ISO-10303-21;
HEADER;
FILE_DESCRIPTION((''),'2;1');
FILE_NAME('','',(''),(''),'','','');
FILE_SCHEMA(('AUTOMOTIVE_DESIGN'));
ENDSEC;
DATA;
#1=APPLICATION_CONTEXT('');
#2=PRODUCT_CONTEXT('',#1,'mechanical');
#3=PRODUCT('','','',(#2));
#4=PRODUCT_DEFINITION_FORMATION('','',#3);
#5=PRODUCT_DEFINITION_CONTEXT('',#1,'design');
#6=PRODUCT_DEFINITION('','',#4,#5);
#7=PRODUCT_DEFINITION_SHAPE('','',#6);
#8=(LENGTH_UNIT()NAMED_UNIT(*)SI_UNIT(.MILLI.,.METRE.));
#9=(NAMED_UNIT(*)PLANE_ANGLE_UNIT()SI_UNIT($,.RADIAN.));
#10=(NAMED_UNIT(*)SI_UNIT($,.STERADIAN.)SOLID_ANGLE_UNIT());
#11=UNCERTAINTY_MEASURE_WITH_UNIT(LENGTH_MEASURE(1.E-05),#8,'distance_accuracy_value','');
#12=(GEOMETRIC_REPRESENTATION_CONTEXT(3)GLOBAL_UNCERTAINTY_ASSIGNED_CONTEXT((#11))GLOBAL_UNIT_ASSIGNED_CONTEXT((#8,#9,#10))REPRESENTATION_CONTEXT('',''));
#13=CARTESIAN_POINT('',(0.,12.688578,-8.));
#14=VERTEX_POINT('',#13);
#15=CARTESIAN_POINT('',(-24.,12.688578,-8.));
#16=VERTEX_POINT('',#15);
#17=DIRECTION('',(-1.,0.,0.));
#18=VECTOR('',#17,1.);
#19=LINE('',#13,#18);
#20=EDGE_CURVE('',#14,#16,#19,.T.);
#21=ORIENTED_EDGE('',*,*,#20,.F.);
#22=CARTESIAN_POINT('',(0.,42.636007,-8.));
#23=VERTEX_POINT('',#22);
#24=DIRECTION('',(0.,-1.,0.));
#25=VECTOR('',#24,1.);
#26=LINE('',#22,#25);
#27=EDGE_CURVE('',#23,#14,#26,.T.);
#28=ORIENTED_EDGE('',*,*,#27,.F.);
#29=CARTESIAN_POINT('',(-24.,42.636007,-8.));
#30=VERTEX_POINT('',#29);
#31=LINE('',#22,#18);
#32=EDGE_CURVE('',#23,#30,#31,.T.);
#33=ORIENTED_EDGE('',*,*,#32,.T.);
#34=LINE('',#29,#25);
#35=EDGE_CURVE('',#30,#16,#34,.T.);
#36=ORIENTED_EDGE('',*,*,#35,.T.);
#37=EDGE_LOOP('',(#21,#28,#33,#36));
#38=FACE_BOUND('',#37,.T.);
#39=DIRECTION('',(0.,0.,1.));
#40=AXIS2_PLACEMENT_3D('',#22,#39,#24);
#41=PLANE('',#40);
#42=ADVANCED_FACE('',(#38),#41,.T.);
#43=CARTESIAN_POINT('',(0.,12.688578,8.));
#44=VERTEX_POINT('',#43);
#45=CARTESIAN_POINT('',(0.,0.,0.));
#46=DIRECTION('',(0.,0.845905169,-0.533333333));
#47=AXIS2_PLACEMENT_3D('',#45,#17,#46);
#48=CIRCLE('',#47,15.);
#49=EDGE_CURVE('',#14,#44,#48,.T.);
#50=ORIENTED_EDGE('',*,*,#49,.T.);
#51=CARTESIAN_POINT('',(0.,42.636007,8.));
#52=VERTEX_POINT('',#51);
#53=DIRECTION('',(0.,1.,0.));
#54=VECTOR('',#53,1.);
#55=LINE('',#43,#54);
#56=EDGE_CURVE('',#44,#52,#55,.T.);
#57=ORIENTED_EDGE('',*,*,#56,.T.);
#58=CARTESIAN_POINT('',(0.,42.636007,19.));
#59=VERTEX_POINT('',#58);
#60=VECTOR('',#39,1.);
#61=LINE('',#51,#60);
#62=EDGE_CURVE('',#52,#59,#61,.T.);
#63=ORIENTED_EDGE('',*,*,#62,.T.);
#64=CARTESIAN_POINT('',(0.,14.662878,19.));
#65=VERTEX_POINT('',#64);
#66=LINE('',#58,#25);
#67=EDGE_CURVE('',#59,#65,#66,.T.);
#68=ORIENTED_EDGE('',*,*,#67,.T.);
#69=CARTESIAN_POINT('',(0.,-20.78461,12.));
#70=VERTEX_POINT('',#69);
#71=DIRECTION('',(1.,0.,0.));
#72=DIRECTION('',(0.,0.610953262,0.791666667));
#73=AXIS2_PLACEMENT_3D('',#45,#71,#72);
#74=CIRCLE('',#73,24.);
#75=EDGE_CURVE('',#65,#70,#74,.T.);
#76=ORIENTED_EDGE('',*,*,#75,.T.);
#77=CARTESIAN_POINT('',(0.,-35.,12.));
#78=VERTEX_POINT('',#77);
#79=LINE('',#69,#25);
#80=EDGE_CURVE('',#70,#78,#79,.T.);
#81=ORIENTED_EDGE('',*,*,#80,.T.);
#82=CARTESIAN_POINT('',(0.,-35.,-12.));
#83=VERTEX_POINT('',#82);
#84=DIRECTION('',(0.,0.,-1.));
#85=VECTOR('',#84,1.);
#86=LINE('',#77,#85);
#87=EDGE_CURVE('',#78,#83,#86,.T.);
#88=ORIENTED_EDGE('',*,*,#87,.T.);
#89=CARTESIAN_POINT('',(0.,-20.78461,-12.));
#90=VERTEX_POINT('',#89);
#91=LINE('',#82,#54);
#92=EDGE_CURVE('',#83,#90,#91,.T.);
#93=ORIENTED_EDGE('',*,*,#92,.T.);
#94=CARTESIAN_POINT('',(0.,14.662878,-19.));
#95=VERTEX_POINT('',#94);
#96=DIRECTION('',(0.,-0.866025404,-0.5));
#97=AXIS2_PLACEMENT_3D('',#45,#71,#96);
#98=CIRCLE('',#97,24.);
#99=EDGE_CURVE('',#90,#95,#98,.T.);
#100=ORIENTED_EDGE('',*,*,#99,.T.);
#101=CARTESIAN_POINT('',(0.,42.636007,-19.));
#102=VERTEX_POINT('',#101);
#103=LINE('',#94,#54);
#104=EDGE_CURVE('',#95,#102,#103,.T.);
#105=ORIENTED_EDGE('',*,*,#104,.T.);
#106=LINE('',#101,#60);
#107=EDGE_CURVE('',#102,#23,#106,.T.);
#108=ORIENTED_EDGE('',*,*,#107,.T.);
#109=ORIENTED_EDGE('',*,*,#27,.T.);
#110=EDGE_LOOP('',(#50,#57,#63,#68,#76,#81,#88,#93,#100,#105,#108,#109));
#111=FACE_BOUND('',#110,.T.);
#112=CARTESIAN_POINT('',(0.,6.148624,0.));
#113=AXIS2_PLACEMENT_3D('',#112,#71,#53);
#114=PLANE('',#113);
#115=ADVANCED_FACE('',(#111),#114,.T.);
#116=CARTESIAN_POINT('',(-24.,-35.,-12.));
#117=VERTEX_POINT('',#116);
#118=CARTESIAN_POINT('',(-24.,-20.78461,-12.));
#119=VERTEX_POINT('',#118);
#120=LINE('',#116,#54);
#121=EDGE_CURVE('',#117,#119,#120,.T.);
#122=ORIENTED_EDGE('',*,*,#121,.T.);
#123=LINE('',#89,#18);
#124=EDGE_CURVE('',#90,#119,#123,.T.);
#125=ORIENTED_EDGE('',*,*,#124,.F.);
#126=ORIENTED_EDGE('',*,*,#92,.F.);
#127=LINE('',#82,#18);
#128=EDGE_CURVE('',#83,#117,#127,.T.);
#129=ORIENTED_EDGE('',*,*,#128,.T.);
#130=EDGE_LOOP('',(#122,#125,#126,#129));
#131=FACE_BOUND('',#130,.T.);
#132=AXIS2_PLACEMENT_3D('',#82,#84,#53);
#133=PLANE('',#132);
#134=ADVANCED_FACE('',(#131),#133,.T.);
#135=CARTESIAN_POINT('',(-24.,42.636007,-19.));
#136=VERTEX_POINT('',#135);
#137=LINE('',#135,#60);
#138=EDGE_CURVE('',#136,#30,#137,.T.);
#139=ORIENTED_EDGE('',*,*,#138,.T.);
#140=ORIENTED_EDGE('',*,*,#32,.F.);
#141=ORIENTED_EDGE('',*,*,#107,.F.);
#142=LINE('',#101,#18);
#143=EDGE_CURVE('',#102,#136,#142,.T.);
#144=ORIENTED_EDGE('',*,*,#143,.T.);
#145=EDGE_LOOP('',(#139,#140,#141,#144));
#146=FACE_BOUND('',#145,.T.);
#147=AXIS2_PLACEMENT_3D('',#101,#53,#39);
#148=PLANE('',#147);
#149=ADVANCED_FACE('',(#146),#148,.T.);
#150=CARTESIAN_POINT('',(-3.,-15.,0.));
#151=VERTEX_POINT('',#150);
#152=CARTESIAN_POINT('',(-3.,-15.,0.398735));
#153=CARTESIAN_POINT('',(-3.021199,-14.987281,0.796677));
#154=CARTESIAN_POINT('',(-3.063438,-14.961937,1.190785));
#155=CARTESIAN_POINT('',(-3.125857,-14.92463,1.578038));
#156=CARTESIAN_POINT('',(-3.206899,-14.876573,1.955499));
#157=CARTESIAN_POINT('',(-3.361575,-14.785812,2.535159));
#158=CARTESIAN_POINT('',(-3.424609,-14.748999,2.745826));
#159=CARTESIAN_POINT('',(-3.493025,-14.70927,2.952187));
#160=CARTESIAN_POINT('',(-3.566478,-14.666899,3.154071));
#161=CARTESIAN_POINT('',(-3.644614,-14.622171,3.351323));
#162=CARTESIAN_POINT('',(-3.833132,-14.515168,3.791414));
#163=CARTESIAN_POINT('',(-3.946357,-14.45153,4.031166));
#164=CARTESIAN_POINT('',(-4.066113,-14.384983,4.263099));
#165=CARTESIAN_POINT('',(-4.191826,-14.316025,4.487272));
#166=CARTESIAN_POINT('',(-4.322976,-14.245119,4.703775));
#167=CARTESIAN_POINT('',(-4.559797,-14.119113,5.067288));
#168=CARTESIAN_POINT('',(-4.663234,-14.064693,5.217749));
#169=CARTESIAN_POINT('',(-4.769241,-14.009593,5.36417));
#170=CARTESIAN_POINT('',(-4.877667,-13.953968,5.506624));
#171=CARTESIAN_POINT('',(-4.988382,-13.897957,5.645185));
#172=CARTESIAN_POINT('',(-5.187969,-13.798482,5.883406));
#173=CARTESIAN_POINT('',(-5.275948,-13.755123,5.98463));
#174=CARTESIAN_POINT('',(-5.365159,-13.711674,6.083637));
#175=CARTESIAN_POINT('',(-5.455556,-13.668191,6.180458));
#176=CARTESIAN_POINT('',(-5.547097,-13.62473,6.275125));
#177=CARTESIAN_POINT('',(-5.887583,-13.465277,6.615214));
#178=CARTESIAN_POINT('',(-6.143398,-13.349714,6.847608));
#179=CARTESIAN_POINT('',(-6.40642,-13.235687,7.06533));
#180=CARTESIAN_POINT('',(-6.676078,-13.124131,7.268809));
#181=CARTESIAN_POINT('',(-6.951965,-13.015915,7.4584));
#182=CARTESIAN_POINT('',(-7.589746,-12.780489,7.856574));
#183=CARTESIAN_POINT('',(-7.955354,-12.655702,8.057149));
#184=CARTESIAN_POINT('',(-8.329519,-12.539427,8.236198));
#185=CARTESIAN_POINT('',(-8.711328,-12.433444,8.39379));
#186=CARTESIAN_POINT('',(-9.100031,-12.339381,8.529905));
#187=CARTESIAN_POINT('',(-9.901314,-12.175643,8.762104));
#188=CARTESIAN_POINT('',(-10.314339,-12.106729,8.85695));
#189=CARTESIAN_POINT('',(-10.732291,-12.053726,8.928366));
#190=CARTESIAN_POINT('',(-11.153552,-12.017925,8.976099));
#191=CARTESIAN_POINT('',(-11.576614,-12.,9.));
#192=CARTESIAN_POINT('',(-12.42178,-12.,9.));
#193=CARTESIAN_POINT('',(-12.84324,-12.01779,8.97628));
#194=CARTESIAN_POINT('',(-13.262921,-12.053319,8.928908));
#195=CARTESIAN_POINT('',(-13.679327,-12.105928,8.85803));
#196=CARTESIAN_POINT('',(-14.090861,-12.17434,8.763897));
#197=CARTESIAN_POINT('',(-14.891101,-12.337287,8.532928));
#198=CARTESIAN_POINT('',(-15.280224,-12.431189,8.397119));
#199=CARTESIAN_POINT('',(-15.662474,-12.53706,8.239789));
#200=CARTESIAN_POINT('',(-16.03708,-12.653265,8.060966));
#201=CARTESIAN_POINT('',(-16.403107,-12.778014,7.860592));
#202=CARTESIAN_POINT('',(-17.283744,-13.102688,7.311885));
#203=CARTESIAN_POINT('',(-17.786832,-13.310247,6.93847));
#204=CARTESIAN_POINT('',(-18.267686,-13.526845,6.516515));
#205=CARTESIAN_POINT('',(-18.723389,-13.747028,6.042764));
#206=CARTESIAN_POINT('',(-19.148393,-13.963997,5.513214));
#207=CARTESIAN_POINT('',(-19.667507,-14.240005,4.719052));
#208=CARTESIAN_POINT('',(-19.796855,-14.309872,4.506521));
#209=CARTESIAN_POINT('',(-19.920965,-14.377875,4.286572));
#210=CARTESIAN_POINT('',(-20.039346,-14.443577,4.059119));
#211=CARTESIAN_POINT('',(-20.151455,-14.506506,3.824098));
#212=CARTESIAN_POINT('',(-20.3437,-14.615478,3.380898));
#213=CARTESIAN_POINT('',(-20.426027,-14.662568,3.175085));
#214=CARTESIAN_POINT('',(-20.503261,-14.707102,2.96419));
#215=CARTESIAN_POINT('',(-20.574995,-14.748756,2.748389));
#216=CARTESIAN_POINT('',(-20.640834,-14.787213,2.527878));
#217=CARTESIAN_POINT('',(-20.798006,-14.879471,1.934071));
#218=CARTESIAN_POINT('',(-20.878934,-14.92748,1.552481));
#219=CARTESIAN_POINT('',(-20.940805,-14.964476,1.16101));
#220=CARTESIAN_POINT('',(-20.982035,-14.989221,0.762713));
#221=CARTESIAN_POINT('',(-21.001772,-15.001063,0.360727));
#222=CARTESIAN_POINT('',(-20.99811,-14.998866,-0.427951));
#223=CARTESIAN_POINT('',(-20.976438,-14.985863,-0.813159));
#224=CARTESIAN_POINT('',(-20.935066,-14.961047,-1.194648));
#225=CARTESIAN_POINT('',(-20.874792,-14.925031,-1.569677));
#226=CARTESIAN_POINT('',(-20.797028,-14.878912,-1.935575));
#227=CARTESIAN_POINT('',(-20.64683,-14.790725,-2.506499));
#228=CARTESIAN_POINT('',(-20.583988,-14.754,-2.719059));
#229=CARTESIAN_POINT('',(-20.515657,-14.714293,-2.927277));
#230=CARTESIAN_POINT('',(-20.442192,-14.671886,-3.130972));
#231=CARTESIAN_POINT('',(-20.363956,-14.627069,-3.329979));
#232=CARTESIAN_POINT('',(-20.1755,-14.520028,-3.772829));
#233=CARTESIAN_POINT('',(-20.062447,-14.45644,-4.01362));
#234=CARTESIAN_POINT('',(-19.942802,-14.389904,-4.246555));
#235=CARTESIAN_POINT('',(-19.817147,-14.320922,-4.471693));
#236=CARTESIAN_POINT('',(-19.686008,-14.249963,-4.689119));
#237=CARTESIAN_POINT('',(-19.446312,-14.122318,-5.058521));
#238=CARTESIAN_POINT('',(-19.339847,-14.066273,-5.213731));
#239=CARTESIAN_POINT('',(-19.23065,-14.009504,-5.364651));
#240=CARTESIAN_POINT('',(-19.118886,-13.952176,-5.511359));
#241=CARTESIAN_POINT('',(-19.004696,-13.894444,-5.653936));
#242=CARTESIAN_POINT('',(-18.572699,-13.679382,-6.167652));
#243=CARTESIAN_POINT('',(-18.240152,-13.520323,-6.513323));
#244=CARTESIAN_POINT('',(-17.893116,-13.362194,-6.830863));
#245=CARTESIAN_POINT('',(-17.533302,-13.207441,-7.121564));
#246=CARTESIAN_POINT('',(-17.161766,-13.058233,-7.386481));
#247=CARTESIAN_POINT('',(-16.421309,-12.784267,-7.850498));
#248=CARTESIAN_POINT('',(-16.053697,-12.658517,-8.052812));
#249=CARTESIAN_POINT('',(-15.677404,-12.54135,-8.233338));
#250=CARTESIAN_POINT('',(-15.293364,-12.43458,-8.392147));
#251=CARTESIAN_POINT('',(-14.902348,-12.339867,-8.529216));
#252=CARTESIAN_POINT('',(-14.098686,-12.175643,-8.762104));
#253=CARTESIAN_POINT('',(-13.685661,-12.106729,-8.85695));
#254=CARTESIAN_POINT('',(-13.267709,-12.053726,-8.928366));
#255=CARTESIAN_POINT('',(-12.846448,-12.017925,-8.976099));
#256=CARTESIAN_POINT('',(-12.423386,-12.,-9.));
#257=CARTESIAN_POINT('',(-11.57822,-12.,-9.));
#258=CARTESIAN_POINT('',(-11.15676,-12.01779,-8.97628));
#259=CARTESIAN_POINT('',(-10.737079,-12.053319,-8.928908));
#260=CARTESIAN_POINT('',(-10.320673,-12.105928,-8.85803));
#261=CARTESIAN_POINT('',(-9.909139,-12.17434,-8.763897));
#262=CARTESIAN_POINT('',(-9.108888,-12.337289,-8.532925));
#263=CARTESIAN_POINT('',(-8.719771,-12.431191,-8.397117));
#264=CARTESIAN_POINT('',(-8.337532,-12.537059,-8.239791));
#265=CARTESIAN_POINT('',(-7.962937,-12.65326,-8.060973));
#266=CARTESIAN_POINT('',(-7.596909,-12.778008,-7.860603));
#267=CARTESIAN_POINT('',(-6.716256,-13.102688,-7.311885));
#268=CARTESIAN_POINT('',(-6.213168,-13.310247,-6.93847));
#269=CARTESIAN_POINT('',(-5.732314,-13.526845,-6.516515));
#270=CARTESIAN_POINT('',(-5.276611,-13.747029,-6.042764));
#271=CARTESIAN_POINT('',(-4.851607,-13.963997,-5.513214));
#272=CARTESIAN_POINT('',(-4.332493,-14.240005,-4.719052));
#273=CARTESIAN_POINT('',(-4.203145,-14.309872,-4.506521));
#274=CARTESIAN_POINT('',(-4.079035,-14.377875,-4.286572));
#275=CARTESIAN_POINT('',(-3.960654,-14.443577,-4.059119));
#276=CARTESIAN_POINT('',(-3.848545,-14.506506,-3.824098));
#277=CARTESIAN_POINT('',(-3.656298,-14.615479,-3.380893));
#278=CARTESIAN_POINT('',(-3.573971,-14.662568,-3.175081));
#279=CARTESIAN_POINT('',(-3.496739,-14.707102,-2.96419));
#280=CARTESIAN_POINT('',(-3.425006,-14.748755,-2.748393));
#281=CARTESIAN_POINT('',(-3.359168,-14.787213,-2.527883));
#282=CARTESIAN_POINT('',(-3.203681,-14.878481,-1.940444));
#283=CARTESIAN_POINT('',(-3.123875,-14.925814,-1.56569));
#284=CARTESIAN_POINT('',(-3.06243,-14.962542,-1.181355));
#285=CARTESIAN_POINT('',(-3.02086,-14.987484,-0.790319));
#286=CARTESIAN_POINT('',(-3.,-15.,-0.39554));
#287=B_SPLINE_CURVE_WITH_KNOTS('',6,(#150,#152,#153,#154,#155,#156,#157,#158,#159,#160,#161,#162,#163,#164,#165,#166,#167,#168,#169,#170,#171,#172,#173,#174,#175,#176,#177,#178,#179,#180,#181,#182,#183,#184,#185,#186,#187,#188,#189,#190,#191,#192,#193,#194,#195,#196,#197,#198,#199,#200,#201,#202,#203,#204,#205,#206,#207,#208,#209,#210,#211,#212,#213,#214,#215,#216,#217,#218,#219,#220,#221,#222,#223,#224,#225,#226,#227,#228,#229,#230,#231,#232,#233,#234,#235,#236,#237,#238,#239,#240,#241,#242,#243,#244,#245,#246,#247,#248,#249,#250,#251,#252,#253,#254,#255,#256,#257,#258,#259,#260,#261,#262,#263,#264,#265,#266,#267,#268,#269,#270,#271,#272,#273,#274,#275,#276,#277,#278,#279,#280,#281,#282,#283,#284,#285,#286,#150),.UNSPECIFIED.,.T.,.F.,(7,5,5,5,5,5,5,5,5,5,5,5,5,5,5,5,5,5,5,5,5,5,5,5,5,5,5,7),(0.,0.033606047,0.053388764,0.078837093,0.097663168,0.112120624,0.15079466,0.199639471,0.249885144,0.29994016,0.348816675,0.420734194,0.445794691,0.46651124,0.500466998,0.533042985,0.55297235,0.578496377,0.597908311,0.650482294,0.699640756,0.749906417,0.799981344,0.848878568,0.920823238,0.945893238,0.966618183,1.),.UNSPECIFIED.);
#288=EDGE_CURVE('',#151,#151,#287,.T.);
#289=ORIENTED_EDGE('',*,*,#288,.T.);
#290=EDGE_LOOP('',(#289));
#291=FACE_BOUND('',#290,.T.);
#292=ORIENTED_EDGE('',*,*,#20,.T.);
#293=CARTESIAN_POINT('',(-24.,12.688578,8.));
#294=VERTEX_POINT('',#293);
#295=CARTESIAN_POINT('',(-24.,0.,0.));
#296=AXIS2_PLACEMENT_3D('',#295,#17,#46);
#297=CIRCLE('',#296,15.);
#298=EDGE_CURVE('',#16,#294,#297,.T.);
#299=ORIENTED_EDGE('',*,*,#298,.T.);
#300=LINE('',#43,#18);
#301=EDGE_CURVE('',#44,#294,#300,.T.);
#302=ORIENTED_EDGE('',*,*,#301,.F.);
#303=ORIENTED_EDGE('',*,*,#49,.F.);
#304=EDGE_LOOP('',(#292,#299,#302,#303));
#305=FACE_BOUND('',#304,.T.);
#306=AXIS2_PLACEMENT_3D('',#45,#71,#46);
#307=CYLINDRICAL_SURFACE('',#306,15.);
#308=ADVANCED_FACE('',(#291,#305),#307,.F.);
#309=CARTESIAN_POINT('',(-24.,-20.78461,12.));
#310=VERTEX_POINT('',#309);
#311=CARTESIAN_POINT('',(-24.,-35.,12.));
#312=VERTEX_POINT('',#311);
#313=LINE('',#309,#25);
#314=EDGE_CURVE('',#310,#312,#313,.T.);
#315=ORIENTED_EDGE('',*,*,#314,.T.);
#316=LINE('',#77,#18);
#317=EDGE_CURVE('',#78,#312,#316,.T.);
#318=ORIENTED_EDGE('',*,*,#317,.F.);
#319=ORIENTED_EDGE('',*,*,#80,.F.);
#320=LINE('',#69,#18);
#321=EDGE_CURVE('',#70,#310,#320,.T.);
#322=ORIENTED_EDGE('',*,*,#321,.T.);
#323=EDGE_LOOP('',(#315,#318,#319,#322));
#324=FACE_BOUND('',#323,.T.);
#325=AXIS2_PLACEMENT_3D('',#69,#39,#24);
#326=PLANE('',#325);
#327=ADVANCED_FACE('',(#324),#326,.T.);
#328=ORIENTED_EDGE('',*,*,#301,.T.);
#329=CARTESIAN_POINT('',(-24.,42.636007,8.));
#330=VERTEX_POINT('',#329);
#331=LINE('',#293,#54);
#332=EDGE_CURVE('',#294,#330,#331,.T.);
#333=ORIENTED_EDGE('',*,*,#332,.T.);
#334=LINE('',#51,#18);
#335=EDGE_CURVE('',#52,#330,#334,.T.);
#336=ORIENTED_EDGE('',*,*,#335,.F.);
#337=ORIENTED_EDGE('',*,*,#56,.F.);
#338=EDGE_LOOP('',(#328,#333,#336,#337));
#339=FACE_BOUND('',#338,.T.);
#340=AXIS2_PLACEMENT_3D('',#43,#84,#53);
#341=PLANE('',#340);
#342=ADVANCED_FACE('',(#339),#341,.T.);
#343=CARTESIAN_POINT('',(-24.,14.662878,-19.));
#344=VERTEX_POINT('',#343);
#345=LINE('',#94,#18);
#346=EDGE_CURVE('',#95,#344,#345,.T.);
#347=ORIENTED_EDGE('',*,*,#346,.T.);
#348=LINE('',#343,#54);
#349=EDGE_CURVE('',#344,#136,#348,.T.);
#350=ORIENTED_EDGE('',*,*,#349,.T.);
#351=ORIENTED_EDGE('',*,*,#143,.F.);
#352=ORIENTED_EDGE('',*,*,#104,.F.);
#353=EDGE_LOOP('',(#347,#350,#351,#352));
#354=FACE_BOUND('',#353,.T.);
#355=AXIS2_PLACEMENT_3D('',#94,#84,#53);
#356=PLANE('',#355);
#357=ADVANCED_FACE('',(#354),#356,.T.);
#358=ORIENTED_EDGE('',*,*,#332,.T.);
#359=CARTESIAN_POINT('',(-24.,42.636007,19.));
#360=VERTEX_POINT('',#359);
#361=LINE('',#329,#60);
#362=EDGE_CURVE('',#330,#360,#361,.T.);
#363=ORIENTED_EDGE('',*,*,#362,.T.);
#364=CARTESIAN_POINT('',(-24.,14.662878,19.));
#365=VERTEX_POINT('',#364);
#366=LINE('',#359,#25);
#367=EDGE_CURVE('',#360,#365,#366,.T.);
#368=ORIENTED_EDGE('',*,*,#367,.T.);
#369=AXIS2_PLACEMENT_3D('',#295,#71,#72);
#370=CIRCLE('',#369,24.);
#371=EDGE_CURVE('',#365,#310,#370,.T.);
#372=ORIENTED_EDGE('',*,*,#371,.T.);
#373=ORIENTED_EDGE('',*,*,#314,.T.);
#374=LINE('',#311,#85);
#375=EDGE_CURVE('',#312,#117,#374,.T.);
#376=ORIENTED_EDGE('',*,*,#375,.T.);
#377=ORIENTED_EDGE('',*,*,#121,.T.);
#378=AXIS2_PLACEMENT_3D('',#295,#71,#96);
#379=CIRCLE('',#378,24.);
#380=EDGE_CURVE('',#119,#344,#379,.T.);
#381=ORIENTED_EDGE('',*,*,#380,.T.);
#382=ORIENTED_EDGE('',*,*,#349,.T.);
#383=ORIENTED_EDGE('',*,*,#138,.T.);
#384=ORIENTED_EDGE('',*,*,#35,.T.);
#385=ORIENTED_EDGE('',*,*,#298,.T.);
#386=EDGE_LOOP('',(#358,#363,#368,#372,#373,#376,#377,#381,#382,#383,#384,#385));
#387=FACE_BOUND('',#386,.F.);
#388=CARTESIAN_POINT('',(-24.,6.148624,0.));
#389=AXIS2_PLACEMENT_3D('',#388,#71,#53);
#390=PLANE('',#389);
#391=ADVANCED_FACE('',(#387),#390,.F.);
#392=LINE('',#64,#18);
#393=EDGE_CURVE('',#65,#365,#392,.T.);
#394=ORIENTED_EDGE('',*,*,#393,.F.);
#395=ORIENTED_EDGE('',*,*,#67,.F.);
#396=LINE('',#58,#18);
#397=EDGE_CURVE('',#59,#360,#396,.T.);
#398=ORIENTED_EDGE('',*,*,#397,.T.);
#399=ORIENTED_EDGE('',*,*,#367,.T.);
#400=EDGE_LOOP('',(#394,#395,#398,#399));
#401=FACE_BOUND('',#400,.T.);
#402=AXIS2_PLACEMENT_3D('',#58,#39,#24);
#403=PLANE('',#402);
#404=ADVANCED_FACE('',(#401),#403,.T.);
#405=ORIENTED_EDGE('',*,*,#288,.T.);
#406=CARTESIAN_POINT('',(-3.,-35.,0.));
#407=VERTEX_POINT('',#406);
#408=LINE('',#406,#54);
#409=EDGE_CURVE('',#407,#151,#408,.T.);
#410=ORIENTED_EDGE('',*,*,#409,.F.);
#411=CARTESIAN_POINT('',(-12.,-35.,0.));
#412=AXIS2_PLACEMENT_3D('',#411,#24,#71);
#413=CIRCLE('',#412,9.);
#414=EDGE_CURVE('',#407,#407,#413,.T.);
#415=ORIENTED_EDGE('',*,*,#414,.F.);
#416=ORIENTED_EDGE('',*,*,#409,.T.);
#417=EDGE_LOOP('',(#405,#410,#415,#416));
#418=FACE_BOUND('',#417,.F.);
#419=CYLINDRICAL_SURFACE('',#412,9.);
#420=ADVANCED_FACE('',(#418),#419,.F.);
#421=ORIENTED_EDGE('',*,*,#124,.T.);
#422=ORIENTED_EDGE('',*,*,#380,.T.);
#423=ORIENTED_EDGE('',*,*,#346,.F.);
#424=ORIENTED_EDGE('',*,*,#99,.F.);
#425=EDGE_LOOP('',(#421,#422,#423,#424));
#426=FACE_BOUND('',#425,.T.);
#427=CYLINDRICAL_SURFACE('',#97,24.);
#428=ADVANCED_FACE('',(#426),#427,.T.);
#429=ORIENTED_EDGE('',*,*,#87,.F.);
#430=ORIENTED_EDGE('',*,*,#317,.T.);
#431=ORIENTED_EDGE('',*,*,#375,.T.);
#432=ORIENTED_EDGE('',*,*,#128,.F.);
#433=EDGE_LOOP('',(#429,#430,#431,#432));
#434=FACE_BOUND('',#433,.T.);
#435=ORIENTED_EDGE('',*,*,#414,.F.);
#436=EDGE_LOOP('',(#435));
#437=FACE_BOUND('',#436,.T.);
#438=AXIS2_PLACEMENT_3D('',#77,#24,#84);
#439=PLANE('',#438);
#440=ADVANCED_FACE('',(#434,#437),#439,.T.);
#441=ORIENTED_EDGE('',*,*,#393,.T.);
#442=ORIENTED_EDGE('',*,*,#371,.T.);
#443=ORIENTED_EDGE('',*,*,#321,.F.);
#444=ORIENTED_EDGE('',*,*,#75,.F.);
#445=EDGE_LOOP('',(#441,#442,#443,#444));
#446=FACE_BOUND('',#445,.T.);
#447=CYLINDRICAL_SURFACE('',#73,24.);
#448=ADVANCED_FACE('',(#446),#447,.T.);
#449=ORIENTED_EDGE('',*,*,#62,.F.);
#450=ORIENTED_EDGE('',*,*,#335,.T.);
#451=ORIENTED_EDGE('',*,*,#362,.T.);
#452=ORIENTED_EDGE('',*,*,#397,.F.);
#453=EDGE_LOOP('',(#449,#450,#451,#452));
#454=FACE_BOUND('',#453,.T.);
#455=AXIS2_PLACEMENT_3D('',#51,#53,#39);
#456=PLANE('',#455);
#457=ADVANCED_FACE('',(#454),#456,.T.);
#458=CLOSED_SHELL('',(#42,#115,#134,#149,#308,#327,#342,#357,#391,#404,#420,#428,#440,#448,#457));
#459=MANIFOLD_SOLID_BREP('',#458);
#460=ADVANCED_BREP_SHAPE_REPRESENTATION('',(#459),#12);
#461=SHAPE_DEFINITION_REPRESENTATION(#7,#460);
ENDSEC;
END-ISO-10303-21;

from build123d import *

# Parameters (mm, degrees)
F1_DEPTH = 24
F2_R     = 9
F3_DEPTH = 24.0000001


with BuildPart() as f1:
    # F0 (on Right) → F1 (new body)
    with BuildSketch(Plane.YZ):
        with BuildLine():
            Line((42.6360070705, 19), (14.6628782986, 19))
            ThreePointArc((14.6628782986, 19), (-4.6496127591, 23.5452989191), (-20.7846096908, 12))
            Line((-20.7846096908, 12), (-35, 12))
            Line((-35, 12), (-35, -12))
            Line((-35, -12), (-20.7846096908, -12))
            ThreePointArc((-20.7846096908, -12), (-4.6496127591, -23.5452989191), (14.6628782986, -19))
            Line((14.6628782986, -19), (42.6360070705, -19))
            Line((42.6360070705, -19), (42.6360070705, -8))
            Line((42.6360070705, -8), (12.6885775404, -8))
            ThreePointArc((12.6885775404, -8), (-15, 0), (12.6885775404, 8))
            Line((12.6885775404, 8), (42.6360070705, 8))
            Line((42.6360070705, 8), (42.6360070705, 19))
        make_face()
    extrude(amount=-F1_DEPTH)

    # F2 (on face) → F3 (cut, up to face)
    with BuildSketch(Plane.XZ.offset(35)):
        with Locations((-12, 0)):
            Circle(F2_R)
    extrude(amount=-F3_DEPTH, mode=Mode.SUBTRACT)


solid = f1.part
